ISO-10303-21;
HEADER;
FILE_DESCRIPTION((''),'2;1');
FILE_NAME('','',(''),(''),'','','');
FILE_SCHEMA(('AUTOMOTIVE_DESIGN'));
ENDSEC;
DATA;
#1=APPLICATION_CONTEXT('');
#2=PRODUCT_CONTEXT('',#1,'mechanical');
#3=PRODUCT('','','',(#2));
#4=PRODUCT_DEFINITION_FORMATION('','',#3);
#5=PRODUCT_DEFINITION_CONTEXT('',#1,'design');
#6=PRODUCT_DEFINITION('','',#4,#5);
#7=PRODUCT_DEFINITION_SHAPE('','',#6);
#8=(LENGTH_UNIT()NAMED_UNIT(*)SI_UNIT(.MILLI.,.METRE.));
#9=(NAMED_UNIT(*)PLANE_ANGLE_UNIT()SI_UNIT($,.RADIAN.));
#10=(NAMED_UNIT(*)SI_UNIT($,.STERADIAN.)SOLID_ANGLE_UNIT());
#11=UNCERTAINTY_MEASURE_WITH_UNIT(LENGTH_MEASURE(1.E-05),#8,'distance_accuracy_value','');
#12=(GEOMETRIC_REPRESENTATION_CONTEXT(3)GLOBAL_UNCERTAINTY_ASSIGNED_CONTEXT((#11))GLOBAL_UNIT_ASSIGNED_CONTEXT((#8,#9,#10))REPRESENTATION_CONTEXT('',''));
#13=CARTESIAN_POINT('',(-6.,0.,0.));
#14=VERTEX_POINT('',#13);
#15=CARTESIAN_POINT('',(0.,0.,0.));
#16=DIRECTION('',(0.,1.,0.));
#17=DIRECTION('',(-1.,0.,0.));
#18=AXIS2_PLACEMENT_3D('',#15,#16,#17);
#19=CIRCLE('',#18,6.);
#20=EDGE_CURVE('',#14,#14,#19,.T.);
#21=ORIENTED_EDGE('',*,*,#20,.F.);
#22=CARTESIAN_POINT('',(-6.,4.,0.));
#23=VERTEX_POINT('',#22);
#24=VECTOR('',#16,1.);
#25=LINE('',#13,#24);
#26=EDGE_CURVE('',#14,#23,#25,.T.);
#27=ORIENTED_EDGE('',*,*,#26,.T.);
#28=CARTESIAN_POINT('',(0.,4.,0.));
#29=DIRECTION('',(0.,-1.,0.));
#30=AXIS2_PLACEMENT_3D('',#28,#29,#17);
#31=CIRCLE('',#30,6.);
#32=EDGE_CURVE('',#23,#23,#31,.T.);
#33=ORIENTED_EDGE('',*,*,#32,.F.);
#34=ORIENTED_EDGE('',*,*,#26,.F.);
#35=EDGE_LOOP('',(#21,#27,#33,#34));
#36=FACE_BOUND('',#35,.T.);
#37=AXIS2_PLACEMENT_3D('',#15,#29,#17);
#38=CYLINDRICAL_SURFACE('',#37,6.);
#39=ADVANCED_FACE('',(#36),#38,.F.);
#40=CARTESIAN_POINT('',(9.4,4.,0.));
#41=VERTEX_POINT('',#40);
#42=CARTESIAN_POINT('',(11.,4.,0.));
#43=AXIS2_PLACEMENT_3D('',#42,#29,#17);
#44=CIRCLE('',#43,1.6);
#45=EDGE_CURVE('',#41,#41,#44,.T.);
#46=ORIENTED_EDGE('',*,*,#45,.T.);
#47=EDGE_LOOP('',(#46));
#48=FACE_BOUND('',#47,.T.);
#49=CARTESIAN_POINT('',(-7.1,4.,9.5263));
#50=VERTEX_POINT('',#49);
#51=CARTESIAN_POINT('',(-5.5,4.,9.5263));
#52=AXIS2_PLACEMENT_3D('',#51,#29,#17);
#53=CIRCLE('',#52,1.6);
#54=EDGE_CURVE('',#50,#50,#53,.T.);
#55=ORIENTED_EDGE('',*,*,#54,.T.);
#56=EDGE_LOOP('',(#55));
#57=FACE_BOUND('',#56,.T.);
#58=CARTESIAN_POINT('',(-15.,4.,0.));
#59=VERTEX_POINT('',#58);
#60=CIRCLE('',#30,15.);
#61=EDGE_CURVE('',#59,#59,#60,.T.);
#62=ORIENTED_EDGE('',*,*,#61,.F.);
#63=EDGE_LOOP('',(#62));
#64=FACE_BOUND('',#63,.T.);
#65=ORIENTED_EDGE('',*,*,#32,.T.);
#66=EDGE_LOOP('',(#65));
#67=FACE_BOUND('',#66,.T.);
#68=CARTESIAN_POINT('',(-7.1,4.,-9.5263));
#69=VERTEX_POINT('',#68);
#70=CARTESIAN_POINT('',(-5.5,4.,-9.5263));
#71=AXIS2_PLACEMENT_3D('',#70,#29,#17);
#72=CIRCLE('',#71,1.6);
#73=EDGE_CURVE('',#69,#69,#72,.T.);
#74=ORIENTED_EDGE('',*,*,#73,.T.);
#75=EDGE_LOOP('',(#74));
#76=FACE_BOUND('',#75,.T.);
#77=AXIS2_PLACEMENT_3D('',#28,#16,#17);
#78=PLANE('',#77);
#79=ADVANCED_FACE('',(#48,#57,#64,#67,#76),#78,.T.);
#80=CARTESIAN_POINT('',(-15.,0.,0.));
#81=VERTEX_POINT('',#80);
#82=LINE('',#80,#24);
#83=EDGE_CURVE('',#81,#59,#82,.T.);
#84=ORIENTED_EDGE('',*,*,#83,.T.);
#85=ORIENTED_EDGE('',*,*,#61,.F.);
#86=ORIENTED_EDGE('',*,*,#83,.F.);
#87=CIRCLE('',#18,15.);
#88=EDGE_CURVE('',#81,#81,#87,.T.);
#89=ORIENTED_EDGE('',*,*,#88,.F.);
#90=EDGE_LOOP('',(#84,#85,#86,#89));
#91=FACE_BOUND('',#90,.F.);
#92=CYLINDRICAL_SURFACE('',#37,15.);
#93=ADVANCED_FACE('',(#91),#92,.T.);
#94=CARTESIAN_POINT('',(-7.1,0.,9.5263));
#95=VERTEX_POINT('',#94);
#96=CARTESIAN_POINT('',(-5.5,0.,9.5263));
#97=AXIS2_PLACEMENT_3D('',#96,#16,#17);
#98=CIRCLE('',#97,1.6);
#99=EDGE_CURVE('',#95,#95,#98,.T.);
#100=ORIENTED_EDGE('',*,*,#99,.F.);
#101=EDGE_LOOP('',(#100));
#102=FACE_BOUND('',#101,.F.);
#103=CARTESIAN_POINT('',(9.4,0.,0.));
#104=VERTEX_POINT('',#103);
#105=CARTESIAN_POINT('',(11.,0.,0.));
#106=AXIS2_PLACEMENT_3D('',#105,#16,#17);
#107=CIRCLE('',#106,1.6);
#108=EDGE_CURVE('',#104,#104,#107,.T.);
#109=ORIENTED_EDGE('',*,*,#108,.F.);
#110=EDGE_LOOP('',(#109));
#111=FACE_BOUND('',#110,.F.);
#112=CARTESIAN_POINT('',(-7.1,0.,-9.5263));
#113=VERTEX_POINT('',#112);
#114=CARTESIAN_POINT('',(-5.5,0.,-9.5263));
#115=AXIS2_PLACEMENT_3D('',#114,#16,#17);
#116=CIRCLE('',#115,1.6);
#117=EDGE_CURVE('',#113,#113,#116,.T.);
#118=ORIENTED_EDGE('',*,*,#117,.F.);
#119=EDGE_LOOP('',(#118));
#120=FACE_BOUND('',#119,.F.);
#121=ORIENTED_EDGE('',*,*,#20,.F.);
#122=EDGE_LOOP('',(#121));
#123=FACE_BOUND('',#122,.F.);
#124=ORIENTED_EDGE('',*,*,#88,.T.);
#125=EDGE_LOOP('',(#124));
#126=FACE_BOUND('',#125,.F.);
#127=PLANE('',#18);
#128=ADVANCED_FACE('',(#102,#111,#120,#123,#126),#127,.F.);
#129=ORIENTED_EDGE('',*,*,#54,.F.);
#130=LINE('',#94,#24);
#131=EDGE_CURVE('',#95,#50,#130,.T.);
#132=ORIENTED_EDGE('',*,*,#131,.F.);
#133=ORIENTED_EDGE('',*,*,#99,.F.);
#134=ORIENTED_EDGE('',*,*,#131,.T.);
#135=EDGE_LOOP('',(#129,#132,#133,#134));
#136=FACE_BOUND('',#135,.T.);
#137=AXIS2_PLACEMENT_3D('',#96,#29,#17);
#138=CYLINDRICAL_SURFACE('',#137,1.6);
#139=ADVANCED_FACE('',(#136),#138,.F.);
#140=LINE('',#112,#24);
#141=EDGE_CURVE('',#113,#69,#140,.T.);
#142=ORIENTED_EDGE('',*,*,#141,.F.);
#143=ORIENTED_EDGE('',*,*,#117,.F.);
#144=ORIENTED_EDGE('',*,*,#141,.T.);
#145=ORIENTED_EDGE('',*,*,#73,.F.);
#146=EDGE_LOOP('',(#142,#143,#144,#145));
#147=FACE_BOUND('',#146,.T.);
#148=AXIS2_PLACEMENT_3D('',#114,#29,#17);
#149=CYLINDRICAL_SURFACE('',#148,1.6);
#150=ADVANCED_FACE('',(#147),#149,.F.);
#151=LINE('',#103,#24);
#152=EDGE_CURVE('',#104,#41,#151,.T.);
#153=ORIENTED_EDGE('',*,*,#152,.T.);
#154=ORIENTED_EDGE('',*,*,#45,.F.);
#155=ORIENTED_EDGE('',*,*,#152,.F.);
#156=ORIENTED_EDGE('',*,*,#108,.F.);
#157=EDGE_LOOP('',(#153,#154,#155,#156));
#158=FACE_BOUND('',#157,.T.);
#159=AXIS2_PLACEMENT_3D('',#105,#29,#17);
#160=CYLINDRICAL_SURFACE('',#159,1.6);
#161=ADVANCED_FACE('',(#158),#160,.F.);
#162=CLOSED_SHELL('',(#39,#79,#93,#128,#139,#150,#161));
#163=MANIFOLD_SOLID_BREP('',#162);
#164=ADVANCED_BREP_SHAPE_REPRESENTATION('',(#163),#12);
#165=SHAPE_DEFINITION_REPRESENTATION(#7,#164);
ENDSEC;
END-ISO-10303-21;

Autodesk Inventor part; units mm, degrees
ref_plane "YZ Plane" through (0, 0, 0) normal (1, 0, 0) x (0, 1, 0)
ref_plane "XZ Plane" through (0, 0, 0) normal (0, 1, 0) x (-1, 0, 0)
ref_plane "XY Plane" through (0, 0, 0) normal (0, 0, 1) x (1, 0, 0)
sketch "Skizze1" plane through (0, 0, 0) normal (0, 1, 0) x (-1, 0, 0)
  circle A0 centre (0, 0) radius 15
  circle A1 centre (0, 0) radius 6
  circle A2 centre (0, 0) radius 11
  line L0 (0, 0) -> (-26.7883, 0)
  line L1 (0, 0) -> (13.3942, -23.1994)
  line L2 (0, 0) -> (13.3942, 23.1994)
  circle A3 centre (5.5, -9.5263) radius 1.6
  circle A4 centre (5.5, 9.5263) radius 1.6
  circle A5 centre (-11, 0) radius 1.6
  dimension "d0" = 30
  dimension "d1" = 12
  dimension "d3" = 22
  dimension "d6" = 360
  dimension "d8" = 3.2
  dimension "d9" = 3.2
  dimension "d10" = 3.2
  dimension "d13" = 120
extrude "Extrusion1" add sketch "Skizze1" along normal blind 4 contours A0 L1 A3 A2 A4 L2 | L2 A4 A2 A5 L0 A0 | A0 L0 A5 A2 A3 L1 | A4 L2 A1 L0 A5 A2 | A2 A5 L0 A1 L1 A3 | A2 A3 L1 A1 L2 A4
properties part number "01-03-01-02 Zeichnung Zange links oben"
